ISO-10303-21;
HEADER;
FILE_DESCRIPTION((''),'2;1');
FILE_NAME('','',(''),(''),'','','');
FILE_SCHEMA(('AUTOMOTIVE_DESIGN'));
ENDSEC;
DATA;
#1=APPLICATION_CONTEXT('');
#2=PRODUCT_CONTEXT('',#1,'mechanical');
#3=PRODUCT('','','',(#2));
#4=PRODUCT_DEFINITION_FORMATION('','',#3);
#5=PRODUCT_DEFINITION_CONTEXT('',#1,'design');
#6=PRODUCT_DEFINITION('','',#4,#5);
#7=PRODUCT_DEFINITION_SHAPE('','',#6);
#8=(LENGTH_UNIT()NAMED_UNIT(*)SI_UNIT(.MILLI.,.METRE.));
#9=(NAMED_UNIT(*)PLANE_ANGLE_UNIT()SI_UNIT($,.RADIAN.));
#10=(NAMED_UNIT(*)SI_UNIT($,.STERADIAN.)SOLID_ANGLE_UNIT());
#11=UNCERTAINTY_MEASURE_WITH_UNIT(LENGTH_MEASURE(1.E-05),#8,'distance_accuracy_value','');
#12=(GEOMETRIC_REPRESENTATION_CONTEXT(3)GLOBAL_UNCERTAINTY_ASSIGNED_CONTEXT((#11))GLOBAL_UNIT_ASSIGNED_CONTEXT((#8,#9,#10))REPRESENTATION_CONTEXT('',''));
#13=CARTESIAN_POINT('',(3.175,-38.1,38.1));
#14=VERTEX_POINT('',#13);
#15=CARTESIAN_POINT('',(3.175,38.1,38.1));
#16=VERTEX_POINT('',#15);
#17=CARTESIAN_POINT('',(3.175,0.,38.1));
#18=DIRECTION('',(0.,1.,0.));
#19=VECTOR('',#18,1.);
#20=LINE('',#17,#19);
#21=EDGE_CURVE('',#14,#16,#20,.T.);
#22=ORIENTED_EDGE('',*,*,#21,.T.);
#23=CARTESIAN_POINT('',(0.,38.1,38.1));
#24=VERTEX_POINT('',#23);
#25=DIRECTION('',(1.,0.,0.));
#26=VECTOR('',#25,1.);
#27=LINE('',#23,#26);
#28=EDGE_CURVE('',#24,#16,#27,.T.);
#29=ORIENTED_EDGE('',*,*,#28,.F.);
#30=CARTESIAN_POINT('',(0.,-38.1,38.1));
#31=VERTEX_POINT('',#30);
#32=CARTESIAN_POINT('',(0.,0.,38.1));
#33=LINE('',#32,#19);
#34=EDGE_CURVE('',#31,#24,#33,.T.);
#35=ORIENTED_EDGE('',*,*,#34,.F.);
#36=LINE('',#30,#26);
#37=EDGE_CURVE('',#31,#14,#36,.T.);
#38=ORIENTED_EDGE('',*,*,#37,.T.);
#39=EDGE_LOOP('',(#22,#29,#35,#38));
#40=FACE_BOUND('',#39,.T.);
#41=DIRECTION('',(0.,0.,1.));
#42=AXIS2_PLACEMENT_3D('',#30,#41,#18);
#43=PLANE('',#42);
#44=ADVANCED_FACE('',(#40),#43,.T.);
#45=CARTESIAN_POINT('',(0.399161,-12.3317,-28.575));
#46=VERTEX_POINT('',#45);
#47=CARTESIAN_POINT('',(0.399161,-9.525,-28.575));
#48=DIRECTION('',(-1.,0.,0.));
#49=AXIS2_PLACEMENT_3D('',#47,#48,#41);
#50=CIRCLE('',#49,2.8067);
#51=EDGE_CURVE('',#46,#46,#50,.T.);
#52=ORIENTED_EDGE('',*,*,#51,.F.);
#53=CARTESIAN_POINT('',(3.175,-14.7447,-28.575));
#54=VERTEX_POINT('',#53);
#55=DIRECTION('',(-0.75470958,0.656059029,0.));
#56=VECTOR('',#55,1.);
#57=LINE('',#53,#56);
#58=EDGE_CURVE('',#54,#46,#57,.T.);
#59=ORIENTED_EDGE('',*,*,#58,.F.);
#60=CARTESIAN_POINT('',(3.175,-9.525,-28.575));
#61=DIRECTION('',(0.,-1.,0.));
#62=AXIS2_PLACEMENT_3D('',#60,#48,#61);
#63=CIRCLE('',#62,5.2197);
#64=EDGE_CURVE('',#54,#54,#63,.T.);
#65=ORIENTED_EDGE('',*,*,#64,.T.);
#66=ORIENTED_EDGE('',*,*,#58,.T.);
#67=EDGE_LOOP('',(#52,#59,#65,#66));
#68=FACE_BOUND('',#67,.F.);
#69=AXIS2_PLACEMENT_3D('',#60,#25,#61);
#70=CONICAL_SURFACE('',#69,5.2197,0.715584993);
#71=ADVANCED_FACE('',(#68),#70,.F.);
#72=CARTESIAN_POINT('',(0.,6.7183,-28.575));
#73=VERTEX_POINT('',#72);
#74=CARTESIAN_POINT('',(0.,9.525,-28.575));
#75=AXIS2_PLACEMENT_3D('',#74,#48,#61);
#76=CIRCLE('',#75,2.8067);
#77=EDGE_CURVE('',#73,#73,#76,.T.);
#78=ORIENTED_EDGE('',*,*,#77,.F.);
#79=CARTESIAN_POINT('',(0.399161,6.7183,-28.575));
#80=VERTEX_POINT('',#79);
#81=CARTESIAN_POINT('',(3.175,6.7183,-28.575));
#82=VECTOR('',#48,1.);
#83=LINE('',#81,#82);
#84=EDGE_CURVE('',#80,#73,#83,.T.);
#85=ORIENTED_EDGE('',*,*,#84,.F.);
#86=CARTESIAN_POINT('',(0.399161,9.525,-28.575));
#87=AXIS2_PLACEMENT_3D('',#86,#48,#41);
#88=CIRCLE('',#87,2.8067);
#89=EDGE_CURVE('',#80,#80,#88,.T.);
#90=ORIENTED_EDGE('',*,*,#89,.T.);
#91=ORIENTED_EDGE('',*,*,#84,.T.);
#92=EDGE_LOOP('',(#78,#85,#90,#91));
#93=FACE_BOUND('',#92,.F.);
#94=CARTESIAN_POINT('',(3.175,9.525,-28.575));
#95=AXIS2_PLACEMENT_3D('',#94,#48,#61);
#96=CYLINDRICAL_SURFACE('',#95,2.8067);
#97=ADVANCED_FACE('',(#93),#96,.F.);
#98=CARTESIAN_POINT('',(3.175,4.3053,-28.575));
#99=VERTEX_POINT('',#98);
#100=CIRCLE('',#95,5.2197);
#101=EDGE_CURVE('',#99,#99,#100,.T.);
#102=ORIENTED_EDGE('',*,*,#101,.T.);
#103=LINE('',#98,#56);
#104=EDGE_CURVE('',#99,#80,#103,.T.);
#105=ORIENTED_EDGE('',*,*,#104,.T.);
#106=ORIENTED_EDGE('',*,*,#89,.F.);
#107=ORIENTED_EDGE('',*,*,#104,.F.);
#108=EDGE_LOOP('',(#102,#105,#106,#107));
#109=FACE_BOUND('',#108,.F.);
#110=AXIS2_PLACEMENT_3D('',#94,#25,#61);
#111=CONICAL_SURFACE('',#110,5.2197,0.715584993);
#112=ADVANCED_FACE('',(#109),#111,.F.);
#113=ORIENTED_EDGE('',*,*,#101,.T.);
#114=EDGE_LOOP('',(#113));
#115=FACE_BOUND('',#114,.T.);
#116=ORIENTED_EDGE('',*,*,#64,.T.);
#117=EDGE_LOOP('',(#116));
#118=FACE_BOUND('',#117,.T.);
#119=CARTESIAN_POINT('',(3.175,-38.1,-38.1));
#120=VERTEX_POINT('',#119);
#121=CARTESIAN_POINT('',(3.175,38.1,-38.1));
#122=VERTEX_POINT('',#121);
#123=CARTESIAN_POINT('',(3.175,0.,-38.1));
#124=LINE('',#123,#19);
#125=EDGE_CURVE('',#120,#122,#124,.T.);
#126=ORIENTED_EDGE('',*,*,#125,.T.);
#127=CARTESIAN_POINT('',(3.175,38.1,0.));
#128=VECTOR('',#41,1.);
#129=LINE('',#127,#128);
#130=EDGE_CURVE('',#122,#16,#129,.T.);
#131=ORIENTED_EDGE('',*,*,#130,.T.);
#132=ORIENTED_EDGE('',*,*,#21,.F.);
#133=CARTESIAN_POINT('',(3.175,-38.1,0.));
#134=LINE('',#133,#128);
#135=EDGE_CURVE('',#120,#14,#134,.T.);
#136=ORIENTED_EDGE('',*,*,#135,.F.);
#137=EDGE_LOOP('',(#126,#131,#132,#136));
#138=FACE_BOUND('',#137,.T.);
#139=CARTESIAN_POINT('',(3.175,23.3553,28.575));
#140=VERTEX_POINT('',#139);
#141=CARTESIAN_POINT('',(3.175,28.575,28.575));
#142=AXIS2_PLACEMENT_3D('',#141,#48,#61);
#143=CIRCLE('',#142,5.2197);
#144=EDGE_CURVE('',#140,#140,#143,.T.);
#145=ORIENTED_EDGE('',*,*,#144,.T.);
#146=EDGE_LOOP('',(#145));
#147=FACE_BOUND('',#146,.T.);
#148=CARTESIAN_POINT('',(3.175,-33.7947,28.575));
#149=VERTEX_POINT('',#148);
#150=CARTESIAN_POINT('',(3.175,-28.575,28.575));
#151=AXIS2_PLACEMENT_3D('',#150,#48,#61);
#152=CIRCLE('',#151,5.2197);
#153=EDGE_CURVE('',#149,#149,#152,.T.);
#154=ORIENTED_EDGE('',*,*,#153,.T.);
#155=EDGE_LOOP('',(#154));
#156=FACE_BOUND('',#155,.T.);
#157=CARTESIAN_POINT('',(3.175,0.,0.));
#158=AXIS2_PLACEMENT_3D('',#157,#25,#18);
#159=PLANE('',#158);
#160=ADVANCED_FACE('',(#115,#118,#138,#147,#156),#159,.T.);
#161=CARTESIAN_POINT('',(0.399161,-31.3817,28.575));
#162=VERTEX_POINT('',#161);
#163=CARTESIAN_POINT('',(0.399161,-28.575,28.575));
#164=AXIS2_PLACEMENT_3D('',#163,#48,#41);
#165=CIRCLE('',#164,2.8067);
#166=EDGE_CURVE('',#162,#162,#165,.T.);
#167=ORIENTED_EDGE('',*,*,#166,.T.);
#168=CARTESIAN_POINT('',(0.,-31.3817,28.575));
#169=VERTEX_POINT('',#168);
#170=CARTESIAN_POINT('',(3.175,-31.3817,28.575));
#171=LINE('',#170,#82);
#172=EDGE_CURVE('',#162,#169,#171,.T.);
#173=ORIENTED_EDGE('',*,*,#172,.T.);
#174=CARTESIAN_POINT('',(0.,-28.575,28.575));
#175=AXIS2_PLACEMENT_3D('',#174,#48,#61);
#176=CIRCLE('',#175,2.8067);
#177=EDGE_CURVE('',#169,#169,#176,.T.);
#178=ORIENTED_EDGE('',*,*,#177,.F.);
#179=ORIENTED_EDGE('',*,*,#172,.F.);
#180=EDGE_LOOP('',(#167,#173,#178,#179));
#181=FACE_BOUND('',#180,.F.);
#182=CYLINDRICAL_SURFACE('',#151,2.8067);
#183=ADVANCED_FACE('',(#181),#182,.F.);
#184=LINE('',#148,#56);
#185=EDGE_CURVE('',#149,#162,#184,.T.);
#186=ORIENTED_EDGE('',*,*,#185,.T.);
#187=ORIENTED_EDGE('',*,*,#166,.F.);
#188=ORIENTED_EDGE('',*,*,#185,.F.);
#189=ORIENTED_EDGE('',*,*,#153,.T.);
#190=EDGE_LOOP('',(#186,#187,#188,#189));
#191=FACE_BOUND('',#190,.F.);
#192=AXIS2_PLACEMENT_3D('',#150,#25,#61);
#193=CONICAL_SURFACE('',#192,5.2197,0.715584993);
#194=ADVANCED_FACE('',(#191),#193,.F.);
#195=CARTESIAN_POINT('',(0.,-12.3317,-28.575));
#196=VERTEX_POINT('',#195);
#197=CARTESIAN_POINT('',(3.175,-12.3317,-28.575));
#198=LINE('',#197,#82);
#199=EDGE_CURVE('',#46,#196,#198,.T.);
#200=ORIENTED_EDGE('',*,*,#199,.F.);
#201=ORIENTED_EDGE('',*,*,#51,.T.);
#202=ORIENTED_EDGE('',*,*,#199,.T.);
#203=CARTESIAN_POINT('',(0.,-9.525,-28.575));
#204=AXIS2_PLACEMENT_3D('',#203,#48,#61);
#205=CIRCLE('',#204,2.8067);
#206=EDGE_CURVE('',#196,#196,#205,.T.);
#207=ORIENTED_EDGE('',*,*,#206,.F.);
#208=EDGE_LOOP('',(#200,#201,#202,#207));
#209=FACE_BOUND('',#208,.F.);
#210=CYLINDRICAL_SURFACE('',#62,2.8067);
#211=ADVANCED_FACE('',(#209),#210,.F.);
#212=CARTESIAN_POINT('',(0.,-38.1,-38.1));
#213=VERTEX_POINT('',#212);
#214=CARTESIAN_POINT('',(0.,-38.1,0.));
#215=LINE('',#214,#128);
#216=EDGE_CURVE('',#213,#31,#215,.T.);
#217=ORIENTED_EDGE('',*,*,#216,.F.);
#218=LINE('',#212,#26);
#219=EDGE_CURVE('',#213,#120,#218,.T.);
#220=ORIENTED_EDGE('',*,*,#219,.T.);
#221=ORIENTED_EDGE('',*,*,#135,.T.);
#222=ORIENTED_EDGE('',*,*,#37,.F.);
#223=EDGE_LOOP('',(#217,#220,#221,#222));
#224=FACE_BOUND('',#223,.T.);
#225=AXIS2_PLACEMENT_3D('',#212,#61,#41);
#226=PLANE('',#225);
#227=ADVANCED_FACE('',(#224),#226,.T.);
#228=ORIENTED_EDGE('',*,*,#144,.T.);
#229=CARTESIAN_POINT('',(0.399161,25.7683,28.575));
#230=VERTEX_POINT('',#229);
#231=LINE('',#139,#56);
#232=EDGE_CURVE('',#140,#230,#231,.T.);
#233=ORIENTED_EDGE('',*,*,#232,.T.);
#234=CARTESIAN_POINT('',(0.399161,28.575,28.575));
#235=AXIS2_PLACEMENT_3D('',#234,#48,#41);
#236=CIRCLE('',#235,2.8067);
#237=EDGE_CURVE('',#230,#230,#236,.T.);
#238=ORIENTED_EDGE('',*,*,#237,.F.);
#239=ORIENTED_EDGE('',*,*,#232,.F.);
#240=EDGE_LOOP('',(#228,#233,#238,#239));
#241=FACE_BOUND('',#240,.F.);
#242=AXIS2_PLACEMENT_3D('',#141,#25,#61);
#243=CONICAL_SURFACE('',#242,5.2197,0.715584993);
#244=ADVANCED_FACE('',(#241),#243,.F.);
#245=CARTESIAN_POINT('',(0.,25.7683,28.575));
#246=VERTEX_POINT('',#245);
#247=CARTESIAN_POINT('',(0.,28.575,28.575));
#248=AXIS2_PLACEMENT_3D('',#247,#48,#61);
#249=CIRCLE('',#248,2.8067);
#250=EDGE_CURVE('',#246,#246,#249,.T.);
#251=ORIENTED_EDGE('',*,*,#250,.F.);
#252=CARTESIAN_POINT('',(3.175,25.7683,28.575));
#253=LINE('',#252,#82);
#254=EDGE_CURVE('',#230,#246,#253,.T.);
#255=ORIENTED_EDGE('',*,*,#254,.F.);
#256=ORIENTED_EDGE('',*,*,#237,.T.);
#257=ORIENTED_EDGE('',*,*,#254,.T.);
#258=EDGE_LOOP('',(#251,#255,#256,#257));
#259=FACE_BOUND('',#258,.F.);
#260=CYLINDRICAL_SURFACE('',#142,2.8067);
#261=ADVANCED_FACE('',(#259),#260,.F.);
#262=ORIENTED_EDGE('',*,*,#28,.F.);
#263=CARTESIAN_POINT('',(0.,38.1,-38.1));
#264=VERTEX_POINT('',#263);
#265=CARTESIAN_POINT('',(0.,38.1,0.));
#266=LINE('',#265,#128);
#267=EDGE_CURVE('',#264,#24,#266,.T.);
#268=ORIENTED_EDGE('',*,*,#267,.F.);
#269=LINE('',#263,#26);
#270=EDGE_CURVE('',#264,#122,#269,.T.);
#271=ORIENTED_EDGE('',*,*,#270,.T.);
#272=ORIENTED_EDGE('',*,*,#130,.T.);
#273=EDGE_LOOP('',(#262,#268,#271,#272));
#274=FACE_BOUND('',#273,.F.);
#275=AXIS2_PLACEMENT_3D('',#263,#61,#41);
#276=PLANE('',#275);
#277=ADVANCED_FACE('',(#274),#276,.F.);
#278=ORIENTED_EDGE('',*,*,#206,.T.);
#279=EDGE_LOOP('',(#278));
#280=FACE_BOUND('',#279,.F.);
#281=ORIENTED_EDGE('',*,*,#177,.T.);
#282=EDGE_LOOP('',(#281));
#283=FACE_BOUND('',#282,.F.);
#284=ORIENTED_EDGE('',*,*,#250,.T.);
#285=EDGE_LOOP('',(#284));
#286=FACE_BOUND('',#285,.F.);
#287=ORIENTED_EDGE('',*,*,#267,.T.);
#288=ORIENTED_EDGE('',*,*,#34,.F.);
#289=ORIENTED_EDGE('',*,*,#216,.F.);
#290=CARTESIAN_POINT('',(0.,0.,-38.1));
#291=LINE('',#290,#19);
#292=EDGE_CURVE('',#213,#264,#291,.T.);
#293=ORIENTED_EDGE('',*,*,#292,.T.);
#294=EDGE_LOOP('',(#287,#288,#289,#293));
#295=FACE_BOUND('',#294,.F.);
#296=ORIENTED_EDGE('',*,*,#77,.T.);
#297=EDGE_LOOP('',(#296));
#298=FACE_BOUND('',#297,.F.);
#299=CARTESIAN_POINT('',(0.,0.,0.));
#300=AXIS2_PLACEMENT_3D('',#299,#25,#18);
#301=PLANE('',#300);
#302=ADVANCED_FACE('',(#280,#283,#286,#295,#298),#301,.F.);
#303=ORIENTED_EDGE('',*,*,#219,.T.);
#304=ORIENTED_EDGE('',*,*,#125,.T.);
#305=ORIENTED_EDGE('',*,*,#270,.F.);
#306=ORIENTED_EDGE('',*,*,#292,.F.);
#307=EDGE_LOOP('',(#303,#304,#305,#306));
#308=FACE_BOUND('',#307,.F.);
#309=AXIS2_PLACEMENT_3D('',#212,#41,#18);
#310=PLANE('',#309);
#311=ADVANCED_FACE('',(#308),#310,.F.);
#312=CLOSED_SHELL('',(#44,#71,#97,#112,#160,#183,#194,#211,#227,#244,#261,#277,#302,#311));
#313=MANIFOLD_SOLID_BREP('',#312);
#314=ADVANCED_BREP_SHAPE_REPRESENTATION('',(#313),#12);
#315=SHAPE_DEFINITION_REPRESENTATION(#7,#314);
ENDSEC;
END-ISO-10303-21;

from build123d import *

# Parameters (mm, degrees)
F0_W           = 76.2
F0_H           = 76.2
F1_DEPTH       = 3.175
F3_D           = 5.6134
F3_CSINK_D     = 10.4394
F3_CSINK_ANGLE = 82


with BuildPart() as f1:
    # F0 (on Right) → F1 (new body)
    with BuildSketch(Plane.YZ):
        Rectangle(F0_W, F0_H)
    extrude(amount=F1_DEPTH)

    # F3 (through all)
    with Locations(Plane.YZ.offset(3.175)):
        with Locations((-28.575, 28.575), (28.575, 28.575), (9.525, -28.575), (-9.525, -28.575)):
            CounterSinkHole(F3_D / 2, F3_CSINK_D / 2, counter_sink_angle=F3_CSINK_ANGLE)


solid = f1.part
